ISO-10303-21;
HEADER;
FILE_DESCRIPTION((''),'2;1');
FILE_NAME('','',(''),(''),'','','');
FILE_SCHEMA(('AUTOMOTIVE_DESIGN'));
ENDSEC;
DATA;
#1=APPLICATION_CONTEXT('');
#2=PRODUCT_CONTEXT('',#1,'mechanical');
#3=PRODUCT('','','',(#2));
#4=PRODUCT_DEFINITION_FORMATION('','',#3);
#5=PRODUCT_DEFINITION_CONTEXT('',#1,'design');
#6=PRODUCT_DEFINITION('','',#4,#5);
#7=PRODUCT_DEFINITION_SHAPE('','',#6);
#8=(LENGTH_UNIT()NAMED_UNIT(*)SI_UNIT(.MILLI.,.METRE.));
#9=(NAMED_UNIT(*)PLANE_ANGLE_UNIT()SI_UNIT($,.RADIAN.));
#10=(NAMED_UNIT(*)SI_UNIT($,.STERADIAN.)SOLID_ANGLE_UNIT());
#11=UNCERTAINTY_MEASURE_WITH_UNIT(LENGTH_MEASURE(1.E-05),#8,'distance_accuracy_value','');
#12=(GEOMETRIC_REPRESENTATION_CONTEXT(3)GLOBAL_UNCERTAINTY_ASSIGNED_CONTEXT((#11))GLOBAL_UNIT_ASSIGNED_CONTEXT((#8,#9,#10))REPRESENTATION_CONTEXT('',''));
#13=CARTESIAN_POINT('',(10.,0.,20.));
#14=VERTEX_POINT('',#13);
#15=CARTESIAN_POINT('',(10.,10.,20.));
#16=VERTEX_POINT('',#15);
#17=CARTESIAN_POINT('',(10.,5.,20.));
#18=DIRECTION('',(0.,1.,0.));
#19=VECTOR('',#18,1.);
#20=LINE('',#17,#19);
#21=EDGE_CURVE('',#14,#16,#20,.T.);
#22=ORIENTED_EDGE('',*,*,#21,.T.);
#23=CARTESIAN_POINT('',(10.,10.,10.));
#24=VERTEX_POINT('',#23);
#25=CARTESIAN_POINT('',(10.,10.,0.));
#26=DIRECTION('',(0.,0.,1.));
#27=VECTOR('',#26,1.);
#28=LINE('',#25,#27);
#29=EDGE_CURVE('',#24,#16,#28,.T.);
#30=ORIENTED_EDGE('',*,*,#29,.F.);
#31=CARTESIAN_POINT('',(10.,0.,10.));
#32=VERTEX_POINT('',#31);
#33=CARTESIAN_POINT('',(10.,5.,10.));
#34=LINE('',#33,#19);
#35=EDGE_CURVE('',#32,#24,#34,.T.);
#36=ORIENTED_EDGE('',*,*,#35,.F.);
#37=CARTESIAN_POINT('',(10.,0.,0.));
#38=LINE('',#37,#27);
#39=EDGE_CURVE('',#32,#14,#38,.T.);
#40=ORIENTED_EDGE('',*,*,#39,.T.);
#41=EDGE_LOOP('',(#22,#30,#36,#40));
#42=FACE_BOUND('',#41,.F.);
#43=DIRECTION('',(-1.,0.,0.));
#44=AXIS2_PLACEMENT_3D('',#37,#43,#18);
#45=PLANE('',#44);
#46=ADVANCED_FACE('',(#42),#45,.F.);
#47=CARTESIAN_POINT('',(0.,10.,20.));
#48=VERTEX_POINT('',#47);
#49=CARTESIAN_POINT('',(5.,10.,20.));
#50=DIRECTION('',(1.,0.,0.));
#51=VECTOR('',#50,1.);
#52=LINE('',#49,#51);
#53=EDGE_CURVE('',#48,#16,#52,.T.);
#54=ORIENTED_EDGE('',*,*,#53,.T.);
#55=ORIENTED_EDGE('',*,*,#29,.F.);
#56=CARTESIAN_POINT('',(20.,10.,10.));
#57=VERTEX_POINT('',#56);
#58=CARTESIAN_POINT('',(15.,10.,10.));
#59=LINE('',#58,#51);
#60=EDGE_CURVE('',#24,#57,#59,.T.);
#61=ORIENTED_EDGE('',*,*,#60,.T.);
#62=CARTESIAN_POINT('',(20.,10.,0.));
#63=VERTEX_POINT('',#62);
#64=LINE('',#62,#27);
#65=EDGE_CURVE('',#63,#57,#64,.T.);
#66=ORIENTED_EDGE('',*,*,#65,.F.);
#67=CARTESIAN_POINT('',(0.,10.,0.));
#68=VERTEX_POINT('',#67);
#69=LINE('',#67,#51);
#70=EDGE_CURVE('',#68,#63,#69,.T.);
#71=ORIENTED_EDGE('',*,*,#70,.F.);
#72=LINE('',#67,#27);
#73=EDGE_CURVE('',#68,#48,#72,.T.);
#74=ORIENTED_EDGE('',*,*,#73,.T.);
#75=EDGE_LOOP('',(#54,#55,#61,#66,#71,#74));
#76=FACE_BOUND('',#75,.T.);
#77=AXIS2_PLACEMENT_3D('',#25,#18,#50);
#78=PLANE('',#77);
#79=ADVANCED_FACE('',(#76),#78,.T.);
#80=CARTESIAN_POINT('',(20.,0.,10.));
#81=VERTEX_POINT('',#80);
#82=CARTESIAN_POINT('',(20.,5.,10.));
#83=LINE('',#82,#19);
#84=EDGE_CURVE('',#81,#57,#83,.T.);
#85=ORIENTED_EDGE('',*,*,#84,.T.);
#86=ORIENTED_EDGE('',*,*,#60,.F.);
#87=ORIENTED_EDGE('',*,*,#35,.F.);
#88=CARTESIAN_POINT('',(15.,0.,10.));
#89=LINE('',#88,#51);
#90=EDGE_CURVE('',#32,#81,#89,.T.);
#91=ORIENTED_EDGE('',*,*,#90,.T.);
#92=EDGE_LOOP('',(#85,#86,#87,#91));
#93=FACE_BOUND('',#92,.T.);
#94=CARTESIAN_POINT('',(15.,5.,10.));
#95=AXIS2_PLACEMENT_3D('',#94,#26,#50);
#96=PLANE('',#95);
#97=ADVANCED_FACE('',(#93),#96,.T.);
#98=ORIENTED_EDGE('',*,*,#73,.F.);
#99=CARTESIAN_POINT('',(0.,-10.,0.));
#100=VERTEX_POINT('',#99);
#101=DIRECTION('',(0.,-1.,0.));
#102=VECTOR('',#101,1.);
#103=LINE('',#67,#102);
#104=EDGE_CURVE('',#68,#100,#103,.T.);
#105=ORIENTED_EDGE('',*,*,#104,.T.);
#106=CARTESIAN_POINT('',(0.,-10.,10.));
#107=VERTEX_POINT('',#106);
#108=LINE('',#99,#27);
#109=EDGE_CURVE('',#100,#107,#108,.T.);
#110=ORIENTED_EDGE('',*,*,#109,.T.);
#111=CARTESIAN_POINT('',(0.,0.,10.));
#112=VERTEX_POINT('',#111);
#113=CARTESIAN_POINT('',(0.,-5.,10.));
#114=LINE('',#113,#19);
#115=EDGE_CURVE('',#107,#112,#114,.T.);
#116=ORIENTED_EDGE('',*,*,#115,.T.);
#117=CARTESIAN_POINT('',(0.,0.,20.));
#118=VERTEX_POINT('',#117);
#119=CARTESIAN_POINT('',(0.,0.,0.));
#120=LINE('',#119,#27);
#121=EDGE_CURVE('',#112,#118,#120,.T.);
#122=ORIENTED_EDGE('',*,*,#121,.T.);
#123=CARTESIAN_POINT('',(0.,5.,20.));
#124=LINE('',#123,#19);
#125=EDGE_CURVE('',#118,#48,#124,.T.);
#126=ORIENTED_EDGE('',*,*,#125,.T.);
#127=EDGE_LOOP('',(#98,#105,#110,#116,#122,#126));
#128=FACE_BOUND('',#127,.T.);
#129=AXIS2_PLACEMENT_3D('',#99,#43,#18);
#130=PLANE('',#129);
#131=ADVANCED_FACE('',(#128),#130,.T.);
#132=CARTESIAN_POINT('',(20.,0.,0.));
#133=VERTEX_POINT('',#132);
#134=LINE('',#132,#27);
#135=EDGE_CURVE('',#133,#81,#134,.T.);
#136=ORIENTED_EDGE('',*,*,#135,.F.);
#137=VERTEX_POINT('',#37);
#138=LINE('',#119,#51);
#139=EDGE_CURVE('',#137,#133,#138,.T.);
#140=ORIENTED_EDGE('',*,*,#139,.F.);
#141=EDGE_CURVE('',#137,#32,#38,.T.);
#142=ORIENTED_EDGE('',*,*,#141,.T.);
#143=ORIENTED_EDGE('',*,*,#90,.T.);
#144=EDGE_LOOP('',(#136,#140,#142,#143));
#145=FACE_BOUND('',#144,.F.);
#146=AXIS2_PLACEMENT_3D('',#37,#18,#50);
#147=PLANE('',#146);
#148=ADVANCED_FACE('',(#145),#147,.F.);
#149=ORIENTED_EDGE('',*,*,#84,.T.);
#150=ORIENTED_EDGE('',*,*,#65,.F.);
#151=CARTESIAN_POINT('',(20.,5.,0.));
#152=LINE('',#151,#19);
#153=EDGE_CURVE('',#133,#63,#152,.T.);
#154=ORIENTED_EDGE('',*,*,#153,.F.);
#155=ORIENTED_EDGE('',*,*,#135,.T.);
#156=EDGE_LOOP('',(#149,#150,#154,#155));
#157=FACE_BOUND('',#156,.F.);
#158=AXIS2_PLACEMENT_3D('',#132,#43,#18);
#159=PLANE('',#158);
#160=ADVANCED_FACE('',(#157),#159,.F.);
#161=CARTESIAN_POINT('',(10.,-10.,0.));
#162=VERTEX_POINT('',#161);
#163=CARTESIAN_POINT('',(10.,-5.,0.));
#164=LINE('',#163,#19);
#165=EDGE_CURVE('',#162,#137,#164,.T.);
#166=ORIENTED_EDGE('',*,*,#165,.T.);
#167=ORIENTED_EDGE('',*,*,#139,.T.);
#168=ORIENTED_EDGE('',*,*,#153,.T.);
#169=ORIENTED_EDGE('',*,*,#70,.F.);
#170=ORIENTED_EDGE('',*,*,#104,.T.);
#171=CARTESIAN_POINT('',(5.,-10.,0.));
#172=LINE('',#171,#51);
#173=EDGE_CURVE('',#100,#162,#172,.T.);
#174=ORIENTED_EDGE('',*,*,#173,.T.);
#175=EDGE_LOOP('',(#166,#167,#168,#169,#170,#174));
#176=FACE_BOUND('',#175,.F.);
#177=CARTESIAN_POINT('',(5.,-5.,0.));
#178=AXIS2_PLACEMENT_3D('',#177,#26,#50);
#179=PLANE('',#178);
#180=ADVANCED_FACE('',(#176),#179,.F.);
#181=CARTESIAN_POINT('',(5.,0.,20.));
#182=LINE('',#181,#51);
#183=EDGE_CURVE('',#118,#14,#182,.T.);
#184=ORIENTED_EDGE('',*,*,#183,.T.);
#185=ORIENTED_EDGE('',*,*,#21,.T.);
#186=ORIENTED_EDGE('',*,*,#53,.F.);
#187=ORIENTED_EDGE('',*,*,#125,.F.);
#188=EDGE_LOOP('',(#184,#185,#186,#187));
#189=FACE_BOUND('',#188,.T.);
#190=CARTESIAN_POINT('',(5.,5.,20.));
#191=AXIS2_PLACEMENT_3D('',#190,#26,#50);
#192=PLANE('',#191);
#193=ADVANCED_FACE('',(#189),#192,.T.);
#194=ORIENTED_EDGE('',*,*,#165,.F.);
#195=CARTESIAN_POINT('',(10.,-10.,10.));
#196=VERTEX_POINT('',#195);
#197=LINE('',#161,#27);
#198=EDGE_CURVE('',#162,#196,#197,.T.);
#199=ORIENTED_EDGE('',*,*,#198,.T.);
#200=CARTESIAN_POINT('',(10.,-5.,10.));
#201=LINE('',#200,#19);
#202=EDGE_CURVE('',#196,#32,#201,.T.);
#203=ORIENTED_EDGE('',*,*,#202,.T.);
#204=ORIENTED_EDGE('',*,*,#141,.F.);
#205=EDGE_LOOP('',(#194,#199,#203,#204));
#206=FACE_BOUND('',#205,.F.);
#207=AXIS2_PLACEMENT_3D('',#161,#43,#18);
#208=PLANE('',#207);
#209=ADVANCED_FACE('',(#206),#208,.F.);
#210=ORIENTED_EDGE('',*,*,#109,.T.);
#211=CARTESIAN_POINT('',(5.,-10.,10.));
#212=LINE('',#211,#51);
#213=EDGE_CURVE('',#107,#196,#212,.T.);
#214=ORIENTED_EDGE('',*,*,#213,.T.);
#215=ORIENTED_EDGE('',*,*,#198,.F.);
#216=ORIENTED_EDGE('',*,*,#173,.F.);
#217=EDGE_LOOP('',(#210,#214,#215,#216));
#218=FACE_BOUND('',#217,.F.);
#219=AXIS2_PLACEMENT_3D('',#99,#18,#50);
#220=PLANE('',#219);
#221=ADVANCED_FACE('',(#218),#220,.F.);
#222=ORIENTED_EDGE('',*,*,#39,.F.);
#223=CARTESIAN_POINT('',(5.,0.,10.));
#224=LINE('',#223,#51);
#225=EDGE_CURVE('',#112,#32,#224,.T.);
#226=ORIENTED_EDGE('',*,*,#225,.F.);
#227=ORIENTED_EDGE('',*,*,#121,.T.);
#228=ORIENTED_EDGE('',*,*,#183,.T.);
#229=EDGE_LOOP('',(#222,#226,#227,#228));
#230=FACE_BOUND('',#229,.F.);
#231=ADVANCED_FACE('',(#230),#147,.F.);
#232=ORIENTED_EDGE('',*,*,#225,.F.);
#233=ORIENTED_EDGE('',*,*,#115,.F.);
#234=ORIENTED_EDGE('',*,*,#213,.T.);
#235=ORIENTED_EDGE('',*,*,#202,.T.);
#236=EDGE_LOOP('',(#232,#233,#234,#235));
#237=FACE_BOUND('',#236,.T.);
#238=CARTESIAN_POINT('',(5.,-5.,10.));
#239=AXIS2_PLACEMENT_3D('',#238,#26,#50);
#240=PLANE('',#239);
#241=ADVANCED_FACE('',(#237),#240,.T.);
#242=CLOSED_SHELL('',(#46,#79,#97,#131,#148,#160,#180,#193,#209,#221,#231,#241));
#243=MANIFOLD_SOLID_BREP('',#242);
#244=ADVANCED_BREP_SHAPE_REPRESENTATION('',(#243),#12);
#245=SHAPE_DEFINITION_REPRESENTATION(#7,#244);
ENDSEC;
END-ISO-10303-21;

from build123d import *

# Parameters (mm, degrees)
BOX001_W     = 10
BOX001_H     = 10
BOX001_DEPTH = 10
BOX002_W     = 10
BOX002_H     = 10
BOX002_DEPTH = 10
BOX_W        = 10
BOX_H        = 10
BOX_DEPTH    = 20


with BuildPart() as cubo2:
    # Box001 → Box001 (new body)
    with BuildSketch(Plane(origin=(10, 0, 0), x_dir=(1, 0, 0), z_dir=(0, 0, 1))):
        with Locations((5, 5)):
            Rectangle(BOX001_W, BOX001_H)
    extrude(amount=BOX001_DEPTH)


with BuildPart() as cubo3:
    # Box002 → Box002 (new body)
    with BuildSketch(Plane(origin=(0, -10, 0), x_dir=(1, 0, 0), z_dir=(0, 0, 1))):
        with Locations((5, 5)):
            Rectangle(BOX002_W, BOX002_H)
    extrude(amount=BOX002_DEPTH)


with BuildPart() as fusion:
    # Box → Box (new body)
    with BuildSketch(Plane.XY):
        with Locations((5, 5)):
            Rectangle(BOX_W, BOX_H)
    extrude(amount=BOX_DEPTH)

    # Fusion: union cubo2, cubo3
    add(cubo2.part)
    add(cubo3.part)


solid = fusion.part
